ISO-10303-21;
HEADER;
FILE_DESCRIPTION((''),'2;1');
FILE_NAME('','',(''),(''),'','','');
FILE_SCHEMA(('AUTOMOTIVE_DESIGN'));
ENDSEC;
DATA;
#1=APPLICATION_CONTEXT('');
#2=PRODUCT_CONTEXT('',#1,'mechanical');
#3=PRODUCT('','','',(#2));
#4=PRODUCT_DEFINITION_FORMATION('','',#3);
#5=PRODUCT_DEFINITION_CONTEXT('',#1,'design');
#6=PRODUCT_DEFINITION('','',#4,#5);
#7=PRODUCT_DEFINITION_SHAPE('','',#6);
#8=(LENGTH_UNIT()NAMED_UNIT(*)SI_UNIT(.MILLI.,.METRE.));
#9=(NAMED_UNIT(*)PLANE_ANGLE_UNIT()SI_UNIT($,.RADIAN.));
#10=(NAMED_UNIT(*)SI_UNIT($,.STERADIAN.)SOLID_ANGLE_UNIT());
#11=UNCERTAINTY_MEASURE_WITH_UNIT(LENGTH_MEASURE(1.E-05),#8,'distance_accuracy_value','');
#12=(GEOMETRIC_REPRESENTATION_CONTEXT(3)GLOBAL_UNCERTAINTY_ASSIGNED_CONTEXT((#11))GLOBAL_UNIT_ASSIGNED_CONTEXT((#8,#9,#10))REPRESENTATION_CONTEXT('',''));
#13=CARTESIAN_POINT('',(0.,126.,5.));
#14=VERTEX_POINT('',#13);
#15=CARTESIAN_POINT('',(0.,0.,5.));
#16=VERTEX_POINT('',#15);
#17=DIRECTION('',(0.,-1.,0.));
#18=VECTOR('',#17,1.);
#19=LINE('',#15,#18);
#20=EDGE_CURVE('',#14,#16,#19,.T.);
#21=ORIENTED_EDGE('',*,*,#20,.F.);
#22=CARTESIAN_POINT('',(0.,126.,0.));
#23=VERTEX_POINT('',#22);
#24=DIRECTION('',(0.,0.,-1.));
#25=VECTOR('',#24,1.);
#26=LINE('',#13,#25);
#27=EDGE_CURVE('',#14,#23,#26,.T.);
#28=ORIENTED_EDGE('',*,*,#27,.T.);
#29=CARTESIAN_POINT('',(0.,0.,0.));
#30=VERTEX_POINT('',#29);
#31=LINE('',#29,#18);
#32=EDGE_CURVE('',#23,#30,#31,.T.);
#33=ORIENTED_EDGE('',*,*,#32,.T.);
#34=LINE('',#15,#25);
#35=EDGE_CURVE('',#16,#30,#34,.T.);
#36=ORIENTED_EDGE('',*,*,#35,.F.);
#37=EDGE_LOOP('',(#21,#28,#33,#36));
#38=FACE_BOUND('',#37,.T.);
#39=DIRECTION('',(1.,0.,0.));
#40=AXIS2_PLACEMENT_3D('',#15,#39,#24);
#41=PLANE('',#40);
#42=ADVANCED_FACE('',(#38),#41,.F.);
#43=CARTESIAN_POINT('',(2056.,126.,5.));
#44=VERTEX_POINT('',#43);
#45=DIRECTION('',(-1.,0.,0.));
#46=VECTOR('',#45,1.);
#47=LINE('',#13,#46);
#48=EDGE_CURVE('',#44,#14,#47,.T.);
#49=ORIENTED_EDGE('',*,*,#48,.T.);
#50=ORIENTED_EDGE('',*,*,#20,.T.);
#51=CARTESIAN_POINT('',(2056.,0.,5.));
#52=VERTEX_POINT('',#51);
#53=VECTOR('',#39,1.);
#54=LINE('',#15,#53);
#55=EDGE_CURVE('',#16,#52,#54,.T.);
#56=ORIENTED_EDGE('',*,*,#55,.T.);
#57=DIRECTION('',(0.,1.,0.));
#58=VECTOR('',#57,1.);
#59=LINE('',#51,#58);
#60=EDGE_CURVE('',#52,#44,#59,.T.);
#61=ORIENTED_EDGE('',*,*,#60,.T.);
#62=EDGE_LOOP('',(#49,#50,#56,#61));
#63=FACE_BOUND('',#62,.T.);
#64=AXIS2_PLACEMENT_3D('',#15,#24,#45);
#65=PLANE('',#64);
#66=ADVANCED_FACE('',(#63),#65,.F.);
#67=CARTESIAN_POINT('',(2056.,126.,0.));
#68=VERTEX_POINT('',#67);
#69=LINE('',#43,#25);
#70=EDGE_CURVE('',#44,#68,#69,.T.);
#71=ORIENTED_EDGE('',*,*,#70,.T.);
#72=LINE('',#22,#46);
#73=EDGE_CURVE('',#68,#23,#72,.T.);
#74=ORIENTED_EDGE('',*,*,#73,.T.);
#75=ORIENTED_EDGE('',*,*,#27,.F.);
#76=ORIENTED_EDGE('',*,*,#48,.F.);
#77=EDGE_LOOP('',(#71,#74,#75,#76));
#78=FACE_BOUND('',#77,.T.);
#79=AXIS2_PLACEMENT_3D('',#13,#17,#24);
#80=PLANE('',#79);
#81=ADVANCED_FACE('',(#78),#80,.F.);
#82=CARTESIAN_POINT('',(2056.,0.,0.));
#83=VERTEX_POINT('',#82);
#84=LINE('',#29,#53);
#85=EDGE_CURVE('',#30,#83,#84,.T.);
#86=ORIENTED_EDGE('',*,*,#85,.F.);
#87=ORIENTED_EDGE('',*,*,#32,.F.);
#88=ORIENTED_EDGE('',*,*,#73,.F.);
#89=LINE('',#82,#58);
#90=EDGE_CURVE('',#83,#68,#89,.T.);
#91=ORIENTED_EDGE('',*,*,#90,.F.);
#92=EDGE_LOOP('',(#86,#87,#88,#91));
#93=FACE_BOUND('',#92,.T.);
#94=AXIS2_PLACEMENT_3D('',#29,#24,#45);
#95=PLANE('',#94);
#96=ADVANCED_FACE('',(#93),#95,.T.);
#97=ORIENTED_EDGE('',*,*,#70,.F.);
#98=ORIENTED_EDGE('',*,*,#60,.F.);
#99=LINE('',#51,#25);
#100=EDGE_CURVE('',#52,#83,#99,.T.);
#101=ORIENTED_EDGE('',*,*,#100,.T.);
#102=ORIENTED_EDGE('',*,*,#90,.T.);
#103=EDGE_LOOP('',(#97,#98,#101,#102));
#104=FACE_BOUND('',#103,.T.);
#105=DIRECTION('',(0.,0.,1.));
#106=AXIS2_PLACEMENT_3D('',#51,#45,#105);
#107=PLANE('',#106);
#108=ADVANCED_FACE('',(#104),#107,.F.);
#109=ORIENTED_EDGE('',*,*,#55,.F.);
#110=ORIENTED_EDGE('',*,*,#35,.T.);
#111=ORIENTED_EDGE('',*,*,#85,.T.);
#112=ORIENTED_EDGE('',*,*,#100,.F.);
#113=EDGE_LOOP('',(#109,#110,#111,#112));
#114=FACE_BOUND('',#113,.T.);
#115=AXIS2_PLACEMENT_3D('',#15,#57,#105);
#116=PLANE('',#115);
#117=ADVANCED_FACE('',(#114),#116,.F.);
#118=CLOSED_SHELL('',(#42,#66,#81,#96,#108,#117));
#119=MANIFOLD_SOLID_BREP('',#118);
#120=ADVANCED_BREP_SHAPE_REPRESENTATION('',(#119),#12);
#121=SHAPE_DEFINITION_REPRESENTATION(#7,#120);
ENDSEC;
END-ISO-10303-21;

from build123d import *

# Parameters (mm, degrees)
SKETCH_1_W      = 2056
SKETCH_1_H      = 126
EXTRUDE_1_DEPTH = 5


with BuildPart() as part:
    # 草图1 → 凸台-拉伸1 (new body)
    with BuildSketch(Plane.XY):
        with Locations((1028, 63)):
            Rectangle(SKETCH_1_W, SKETCH_1_H)
    extrude(amount=EXTRUDE_1_DEPTH)


solid = part.part
